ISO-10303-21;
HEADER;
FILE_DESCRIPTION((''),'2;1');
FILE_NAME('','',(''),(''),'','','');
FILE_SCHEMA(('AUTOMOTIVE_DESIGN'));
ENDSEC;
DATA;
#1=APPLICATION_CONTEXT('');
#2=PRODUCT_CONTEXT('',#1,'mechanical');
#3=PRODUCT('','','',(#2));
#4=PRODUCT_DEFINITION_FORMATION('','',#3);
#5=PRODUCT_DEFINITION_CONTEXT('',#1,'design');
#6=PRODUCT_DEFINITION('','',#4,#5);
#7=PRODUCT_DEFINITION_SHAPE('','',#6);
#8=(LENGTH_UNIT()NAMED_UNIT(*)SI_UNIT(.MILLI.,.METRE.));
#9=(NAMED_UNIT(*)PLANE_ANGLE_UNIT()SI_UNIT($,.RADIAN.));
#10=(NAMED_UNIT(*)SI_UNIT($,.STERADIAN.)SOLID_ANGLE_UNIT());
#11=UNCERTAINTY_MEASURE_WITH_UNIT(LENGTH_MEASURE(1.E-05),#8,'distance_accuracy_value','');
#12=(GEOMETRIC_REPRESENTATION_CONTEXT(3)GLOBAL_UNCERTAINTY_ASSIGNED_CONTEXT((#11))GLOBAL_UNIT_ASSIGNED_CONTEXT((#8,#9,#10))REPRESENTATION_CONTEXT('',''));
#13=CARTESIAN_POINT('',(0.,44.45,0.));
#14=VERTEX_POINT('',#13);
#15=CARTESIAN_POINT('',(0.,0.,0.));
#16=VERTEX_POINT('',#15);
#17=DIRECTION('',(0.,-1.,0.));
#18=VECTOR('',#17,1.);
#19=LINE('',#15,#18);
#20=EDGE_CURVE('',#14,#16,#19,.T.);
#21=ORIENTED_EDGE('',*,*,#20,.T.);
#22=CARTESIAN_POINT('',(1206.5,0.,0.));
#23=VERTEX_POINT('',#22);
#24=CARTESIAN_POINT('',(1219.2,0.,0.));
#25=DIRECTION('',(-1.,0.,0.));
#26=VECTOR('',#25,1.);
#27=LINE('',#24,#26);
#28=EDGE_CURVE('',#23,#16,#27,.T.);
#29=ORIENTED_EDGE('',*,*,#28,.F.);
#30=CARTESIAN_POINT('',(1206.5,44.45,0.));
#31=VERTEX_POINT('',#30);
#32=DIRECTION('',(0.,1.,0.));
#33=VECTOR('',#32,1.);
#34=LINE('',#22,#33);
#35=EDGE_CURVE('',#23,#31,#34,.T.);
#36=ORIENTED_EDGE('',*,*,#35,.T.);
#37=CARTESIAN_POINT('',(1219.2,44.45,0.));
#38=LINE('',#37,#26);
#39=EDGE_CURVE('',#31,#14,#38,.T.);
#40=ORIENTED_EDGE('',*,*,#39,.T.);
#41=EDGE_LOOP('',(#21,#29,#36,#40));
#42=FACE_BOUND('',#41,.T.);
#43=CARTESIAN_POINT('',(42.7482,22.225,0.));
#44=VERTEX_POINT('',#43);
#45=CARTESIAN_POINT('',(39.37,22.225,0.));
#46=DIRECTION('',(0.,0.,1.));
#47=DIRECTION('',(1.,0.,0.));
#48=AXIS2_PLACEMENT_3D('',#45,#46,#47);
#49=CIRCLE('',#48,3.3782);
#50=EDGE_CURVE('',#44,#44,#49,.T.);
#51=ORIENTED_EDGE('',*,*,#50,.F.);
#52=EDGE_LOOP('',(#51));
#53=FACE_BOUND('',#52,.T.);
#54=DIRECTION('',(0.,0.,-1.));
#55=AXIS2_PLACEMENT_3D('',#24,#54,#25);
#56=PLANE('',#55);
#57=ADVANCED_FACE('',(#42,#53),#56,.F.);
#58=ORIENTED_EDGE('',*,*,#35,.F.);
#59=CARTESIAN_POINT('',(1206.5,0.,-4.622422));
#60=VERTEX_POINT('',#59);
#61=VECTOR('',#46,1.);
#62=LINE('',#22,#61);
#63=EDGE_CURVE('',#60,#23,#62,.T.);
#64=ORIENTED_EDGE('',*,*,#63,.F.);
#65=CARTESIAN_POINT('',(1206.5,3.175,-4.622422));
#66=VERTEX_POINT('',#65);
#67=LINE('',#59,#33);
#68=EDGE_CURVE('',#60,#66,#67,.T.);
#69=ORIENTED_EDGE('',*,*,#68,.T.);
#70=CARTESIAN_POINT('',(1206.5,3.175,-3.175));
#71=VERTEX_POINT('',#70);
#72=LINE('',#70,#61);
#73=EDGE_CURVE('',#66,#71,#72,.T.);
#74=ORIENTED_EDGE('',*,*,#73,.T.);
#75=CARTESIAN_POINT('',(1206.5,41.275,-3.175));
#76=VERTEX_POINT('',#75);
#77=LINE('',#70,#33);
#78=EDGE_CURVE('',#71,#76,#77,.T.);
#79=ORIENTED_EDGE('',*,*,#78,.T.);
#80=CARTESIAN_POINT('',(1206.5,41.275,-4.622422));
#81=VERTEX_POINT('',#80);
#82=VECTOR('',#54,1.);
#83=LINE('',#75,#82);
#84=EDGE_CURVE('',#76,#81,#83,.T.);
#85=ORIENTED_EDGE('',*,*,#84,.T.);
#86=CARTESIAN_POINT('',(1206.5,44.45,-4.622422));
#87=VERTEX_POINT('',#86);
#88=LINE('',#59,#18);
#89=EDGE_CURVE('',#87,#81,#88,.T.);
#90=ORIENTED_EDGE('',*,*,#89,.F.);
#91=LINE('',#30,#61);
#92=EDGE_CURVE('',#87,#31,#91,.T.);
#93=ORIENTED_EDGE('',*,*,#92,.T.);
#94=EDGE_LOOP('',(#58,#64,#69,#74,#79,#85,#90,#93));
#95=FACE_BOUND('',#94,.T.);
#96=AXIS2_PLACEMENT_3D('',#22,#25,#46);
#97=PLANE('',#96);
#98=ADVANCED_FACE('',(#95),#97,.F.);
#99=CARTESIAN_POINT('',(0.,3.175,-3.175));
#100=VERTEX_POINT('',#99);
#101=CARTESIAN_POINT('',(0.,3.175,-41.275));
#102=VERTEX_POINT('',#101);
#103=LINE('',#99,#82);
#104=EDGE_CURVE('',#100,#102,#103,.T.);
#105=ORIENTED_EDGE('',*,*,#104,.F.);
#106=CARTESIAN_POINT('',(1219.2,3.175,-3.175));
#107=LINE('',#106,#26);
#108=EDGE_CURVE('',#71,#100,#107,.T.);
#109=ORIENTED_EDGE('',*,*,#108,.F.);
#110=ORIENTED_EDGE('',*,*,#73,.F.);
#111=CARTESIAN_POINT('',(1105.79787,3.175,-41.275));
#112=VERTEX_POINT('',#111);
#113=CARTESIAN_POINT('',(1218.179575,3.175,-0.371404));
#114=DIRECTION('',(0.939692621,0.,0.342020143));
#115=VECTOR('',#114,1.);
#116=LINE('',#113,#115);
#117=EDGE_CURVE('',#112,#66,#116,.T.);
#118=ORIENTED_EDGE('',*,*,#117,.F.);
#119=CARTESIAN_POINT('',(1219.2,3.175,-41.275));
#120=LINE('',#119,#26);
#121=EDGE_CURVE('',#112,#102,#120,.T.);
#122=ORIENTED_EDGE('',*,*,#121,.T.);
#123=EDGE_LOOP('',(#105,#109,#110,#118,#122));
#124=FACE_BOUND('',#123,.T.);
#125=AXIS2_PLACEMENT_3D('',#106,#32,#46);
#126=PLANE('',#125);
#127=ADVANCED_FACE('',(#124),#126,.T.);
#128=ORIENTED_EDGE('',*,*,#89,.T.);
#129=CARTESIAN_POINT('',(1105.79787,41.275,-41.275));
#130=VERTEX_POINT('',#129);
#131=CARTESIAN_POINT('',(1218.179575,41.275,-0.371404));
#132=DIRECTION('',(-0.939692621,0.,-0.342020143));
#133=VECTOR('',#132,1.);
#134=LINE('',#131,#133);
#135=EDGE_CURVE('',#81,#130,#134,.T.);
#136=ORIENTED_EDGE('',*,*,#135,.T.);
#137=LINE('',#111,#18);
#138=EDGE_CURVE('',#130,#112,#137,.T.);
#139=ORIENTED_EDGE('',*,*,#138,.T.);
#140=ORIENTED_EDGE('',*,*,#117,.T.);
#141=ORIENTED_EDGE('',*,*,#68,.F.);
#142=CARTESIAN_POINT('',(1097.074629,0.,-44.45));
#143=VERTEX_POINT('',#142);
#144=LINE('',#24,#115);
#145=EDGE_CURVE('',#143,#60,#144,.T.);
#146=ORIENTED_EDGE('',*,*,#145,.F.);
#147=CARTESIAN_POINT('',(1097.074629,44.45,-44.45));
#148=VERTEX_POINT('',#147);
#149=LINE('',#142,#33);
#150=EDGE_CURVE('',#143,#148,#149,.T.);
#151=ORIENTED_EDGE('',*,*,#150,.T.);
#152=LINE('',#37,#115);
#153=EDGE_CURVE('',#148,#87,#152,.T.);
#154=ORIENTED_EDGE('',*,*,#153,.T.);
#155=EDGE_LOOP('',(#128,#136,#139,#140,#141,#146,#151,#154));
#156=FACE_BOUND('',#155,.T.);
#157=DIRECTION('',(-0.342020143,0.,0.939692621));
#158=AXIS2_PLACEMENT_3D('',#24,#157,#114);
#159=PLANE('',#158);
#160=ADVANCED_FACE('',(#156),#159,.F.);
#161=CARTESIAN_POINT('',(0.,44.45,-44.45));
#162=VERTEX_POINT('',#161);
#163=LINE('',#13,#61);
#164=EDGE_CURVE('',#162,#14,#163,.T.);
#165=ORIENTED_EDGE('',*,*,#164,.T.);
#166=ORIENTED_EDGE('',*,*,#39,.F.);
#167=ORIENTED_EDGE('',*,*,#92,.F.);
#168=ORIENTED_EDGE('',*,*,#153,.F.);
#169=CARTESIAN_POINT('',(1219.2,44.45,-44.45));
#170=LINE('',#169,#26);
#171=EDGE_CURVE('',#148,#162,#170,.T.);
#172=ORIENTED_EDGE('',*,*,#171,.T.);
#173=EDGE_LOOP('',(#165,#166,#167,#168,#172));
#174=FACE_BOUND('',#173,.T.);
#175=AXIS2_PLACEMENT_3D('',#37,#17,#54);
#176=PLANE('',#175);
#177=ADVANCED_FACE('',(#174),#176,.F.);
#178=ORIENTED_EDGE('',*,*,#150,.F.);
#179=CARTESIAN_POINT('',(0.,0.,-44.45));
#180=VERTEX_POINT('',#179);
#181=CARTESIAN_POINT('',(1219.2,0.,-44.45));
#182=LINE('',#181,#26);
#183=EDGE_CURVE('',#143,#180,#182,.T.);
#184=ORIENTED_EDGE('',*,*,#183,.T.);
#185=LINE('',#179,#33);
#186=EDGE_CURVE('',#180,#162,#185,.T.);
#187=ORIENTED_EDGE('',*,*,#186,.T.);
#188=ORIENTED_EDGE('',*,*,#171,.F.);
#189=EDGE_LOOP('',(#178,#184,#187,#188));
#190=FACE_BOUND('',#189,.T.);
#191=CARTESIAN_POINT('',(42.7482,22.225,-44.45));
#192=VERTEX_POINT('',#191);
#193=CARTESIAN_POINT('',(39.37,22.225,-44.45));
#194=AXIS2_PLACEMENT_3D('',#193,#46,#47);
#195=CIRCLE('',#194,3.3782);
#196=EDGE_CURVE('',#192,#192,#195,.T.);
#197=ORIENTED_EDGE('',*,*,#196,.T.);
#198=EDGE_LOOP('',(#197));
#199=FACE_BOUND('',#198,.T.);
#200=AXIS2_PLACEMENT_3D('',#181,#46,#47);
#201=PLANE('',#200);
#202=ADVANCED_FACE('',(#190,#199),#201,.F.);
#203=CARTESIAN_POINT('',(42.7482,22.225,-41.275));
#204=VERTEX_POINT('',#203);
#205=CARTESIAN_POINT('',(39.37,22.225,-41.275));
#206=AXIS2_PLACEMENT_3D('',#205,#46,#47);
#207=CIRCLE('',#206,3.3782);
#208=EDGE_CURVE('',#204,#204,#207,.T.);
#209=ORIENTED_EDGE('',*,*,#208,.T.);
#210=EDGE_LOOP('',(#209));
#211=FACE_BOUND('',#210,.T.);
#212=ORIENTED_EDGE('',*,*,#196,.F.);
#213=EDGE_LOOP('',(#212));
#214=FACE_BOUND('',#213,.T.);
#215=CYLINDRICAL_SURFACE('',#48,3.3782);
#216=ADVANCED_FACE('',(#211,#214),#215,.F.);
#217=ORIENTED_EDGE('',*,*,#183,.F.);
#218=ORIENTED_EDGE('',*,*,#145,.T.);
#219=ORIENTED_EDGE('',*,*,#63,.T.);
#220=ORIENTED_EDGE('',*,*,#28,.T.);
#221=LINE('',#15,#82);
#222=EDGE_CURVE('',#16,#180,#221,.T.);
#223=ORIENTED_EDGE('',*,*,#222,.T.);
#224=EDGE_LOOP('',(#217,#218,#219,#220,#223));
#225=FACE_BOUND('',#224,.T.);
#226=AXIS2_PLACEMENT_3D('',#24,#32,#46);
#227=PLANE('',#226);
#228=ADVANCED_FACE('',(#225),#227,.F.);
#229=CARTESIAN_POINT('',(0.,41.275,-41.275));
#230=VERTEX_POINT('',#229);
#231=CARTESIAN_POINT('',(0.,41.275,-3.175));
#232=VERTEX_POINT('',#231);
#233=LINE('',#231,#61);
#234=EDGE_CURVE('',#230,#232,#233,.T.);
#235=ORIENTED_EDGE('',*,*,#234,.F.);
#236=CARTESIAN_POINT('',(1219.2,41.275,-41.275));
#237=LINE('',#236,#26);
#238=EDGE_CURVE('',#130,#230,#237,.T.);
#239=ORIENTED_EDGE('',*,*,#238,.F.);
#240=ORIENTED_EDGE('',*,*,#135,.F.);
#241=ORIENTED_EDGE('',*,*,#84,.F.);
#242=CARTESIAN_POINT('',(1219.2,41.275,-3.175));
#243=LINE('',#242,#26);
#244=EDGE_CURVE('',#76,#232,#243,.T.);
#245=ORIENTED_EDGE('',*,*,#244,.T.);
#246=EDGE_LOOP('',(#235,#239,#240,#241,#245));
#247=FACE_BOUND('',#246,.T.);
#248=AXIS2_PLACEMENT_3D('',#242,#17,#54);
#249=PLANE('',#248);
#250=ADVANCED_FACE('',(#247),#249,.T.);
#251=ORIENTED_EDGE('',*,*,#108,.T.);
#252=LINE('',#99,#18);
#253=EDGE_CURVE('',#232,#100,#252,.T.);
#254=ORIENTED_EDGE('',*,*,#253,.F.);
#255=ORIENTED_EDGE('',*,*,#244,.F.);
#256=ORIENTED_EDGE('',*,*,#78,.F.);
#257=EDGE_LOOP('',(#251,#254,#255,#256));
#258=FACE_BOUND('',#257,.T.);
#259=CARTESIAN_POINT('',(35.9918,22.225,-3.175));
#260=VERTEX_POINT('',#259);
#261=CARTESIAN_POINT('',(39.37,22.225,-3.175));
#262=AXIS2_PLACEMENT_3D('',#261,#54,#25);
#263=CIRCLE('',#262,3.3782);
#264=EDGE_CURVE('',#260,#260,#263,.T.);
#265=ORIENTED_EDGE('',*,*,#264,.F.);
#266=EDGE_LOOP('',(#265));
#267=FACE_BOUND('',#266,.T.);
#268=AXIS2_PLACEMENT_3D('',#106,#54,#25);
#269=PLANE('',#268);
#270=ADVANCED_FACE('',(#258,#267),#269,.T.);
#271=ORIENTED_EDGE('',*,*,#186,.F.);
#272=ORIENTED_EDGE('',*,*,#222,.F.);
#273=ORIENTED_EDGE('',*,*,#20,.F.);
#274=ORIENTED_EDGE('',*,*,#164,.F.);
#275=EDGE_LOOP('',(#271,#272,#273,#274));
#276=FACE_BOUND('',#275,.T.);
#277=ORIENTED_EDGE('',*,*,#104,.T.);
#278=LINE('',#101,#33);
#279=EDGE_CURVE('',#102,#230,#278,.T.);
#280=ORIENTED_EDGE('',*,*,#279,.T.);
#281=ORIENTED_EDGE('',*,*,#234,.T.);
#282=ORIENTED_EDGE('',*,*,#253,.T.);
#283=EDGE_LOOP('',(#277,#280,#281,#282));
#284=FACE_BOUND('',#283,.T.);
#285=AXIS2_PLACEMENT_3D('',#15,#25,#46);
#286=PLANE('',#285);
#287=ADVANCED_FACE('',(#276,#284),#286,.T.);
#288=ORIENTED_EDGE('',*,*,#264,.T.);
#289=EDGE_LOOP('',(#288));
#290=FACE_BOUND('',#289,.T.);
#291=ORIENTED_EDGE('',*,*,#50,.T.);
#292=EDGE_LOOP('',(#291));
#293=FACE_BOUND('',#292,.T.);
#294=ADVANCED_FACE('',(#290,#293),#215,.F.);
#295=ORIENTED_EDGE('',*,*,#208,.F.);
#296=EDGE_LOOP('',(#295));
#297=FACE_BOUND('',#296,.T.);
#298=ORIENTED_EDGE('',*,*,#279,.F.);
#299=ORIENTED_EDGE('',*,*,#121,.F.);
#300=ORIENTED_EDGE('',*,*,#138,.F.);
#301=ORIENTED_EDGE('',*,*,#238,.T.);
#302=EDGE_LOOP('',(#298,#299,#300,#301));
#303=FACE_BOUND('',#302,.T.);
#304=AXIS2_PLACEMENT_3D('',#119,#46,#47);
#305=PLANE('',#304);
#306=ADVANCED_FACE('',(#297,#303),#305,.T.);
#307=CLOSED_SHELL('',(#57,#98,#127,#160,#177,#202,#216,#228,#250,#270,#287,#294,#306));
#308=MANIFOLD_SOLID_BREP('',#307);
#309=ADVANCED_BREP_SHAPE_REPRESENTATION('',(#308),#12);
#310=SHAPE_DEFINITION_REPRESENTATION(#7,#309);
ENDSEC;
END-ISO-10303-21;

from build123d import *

# Parameters (mm, degrees)
SKETCH1_W               = 44.45
SKETCH1_H               = 44.45
SKETCH1_W_2             = 38.1
SKETCH1_H_2             = 38.1
BOSS_EXTRUDE1_DEPTH     = 1219.2
CUT_EXTRUDE1_DEPTH      = 45.45
F_1_4_CLEARANCE_HOLE1_D = 6.7564
CUT_EXTRUDE2_DEPTH      = 45.45


with BuildPart() as part:
    # Sketch1 → Boss-Extrude1 (new body)
    with BuildSketch(Plane(origin=(0, 0, 0), x_dir=(0, 0, -1), z_dir=(1, 0, 0))):
        with Locations((22.225, 22.225)):
            Rectangle(SKETCH1_W, SKETCH1_H)
        with Locations((22.225, 22.225)):
            Rectangle(SKETCH1_W_2, SKETCH1_H_2, mode=Mode.SUBTRACT)
    extrude(amount=BOSS_EXTRUDE1_DEPTH)

    # Sketch2 → Cut-Extrude1 (cut, through all)
    with BuildSketch(Plane(origin=(0, 44.45, 0), x_dir=(1, 0, 0), z_dir=(0, 1, 0))):
        Polygon((1219.2, 0), (1097.074628705, 44.45), (1219.2, 44.45), align=None)
    extrude(amount=-CUT_EXTRUDE1_DEPTH, mode=Mode.SUBTRACT)

    # 1/4 Clearance Hole1 (through all)
    with Locations(Plane.XY):
        with Locations((39.37, 22.225)):
            Hole(F_1_4_CLEARANCE_HOLE1_D / 2)

    # Sketch5 → Cut-Extrude2 (cut, through all)
    with BuildSketch(Plane(origin=(0, 44.45, 0), x_dir=(1, 0, 0), z_dir=(0, 1, 0))):
        Polygon((1219.2, 0), (1206.5, 0), (1206.5, 4.622421975), align=None)
    extrude(amount=-CUT_EXTRUDE2_DEPTH, mode=Mode.SUBTRACT)


solid = part.part
